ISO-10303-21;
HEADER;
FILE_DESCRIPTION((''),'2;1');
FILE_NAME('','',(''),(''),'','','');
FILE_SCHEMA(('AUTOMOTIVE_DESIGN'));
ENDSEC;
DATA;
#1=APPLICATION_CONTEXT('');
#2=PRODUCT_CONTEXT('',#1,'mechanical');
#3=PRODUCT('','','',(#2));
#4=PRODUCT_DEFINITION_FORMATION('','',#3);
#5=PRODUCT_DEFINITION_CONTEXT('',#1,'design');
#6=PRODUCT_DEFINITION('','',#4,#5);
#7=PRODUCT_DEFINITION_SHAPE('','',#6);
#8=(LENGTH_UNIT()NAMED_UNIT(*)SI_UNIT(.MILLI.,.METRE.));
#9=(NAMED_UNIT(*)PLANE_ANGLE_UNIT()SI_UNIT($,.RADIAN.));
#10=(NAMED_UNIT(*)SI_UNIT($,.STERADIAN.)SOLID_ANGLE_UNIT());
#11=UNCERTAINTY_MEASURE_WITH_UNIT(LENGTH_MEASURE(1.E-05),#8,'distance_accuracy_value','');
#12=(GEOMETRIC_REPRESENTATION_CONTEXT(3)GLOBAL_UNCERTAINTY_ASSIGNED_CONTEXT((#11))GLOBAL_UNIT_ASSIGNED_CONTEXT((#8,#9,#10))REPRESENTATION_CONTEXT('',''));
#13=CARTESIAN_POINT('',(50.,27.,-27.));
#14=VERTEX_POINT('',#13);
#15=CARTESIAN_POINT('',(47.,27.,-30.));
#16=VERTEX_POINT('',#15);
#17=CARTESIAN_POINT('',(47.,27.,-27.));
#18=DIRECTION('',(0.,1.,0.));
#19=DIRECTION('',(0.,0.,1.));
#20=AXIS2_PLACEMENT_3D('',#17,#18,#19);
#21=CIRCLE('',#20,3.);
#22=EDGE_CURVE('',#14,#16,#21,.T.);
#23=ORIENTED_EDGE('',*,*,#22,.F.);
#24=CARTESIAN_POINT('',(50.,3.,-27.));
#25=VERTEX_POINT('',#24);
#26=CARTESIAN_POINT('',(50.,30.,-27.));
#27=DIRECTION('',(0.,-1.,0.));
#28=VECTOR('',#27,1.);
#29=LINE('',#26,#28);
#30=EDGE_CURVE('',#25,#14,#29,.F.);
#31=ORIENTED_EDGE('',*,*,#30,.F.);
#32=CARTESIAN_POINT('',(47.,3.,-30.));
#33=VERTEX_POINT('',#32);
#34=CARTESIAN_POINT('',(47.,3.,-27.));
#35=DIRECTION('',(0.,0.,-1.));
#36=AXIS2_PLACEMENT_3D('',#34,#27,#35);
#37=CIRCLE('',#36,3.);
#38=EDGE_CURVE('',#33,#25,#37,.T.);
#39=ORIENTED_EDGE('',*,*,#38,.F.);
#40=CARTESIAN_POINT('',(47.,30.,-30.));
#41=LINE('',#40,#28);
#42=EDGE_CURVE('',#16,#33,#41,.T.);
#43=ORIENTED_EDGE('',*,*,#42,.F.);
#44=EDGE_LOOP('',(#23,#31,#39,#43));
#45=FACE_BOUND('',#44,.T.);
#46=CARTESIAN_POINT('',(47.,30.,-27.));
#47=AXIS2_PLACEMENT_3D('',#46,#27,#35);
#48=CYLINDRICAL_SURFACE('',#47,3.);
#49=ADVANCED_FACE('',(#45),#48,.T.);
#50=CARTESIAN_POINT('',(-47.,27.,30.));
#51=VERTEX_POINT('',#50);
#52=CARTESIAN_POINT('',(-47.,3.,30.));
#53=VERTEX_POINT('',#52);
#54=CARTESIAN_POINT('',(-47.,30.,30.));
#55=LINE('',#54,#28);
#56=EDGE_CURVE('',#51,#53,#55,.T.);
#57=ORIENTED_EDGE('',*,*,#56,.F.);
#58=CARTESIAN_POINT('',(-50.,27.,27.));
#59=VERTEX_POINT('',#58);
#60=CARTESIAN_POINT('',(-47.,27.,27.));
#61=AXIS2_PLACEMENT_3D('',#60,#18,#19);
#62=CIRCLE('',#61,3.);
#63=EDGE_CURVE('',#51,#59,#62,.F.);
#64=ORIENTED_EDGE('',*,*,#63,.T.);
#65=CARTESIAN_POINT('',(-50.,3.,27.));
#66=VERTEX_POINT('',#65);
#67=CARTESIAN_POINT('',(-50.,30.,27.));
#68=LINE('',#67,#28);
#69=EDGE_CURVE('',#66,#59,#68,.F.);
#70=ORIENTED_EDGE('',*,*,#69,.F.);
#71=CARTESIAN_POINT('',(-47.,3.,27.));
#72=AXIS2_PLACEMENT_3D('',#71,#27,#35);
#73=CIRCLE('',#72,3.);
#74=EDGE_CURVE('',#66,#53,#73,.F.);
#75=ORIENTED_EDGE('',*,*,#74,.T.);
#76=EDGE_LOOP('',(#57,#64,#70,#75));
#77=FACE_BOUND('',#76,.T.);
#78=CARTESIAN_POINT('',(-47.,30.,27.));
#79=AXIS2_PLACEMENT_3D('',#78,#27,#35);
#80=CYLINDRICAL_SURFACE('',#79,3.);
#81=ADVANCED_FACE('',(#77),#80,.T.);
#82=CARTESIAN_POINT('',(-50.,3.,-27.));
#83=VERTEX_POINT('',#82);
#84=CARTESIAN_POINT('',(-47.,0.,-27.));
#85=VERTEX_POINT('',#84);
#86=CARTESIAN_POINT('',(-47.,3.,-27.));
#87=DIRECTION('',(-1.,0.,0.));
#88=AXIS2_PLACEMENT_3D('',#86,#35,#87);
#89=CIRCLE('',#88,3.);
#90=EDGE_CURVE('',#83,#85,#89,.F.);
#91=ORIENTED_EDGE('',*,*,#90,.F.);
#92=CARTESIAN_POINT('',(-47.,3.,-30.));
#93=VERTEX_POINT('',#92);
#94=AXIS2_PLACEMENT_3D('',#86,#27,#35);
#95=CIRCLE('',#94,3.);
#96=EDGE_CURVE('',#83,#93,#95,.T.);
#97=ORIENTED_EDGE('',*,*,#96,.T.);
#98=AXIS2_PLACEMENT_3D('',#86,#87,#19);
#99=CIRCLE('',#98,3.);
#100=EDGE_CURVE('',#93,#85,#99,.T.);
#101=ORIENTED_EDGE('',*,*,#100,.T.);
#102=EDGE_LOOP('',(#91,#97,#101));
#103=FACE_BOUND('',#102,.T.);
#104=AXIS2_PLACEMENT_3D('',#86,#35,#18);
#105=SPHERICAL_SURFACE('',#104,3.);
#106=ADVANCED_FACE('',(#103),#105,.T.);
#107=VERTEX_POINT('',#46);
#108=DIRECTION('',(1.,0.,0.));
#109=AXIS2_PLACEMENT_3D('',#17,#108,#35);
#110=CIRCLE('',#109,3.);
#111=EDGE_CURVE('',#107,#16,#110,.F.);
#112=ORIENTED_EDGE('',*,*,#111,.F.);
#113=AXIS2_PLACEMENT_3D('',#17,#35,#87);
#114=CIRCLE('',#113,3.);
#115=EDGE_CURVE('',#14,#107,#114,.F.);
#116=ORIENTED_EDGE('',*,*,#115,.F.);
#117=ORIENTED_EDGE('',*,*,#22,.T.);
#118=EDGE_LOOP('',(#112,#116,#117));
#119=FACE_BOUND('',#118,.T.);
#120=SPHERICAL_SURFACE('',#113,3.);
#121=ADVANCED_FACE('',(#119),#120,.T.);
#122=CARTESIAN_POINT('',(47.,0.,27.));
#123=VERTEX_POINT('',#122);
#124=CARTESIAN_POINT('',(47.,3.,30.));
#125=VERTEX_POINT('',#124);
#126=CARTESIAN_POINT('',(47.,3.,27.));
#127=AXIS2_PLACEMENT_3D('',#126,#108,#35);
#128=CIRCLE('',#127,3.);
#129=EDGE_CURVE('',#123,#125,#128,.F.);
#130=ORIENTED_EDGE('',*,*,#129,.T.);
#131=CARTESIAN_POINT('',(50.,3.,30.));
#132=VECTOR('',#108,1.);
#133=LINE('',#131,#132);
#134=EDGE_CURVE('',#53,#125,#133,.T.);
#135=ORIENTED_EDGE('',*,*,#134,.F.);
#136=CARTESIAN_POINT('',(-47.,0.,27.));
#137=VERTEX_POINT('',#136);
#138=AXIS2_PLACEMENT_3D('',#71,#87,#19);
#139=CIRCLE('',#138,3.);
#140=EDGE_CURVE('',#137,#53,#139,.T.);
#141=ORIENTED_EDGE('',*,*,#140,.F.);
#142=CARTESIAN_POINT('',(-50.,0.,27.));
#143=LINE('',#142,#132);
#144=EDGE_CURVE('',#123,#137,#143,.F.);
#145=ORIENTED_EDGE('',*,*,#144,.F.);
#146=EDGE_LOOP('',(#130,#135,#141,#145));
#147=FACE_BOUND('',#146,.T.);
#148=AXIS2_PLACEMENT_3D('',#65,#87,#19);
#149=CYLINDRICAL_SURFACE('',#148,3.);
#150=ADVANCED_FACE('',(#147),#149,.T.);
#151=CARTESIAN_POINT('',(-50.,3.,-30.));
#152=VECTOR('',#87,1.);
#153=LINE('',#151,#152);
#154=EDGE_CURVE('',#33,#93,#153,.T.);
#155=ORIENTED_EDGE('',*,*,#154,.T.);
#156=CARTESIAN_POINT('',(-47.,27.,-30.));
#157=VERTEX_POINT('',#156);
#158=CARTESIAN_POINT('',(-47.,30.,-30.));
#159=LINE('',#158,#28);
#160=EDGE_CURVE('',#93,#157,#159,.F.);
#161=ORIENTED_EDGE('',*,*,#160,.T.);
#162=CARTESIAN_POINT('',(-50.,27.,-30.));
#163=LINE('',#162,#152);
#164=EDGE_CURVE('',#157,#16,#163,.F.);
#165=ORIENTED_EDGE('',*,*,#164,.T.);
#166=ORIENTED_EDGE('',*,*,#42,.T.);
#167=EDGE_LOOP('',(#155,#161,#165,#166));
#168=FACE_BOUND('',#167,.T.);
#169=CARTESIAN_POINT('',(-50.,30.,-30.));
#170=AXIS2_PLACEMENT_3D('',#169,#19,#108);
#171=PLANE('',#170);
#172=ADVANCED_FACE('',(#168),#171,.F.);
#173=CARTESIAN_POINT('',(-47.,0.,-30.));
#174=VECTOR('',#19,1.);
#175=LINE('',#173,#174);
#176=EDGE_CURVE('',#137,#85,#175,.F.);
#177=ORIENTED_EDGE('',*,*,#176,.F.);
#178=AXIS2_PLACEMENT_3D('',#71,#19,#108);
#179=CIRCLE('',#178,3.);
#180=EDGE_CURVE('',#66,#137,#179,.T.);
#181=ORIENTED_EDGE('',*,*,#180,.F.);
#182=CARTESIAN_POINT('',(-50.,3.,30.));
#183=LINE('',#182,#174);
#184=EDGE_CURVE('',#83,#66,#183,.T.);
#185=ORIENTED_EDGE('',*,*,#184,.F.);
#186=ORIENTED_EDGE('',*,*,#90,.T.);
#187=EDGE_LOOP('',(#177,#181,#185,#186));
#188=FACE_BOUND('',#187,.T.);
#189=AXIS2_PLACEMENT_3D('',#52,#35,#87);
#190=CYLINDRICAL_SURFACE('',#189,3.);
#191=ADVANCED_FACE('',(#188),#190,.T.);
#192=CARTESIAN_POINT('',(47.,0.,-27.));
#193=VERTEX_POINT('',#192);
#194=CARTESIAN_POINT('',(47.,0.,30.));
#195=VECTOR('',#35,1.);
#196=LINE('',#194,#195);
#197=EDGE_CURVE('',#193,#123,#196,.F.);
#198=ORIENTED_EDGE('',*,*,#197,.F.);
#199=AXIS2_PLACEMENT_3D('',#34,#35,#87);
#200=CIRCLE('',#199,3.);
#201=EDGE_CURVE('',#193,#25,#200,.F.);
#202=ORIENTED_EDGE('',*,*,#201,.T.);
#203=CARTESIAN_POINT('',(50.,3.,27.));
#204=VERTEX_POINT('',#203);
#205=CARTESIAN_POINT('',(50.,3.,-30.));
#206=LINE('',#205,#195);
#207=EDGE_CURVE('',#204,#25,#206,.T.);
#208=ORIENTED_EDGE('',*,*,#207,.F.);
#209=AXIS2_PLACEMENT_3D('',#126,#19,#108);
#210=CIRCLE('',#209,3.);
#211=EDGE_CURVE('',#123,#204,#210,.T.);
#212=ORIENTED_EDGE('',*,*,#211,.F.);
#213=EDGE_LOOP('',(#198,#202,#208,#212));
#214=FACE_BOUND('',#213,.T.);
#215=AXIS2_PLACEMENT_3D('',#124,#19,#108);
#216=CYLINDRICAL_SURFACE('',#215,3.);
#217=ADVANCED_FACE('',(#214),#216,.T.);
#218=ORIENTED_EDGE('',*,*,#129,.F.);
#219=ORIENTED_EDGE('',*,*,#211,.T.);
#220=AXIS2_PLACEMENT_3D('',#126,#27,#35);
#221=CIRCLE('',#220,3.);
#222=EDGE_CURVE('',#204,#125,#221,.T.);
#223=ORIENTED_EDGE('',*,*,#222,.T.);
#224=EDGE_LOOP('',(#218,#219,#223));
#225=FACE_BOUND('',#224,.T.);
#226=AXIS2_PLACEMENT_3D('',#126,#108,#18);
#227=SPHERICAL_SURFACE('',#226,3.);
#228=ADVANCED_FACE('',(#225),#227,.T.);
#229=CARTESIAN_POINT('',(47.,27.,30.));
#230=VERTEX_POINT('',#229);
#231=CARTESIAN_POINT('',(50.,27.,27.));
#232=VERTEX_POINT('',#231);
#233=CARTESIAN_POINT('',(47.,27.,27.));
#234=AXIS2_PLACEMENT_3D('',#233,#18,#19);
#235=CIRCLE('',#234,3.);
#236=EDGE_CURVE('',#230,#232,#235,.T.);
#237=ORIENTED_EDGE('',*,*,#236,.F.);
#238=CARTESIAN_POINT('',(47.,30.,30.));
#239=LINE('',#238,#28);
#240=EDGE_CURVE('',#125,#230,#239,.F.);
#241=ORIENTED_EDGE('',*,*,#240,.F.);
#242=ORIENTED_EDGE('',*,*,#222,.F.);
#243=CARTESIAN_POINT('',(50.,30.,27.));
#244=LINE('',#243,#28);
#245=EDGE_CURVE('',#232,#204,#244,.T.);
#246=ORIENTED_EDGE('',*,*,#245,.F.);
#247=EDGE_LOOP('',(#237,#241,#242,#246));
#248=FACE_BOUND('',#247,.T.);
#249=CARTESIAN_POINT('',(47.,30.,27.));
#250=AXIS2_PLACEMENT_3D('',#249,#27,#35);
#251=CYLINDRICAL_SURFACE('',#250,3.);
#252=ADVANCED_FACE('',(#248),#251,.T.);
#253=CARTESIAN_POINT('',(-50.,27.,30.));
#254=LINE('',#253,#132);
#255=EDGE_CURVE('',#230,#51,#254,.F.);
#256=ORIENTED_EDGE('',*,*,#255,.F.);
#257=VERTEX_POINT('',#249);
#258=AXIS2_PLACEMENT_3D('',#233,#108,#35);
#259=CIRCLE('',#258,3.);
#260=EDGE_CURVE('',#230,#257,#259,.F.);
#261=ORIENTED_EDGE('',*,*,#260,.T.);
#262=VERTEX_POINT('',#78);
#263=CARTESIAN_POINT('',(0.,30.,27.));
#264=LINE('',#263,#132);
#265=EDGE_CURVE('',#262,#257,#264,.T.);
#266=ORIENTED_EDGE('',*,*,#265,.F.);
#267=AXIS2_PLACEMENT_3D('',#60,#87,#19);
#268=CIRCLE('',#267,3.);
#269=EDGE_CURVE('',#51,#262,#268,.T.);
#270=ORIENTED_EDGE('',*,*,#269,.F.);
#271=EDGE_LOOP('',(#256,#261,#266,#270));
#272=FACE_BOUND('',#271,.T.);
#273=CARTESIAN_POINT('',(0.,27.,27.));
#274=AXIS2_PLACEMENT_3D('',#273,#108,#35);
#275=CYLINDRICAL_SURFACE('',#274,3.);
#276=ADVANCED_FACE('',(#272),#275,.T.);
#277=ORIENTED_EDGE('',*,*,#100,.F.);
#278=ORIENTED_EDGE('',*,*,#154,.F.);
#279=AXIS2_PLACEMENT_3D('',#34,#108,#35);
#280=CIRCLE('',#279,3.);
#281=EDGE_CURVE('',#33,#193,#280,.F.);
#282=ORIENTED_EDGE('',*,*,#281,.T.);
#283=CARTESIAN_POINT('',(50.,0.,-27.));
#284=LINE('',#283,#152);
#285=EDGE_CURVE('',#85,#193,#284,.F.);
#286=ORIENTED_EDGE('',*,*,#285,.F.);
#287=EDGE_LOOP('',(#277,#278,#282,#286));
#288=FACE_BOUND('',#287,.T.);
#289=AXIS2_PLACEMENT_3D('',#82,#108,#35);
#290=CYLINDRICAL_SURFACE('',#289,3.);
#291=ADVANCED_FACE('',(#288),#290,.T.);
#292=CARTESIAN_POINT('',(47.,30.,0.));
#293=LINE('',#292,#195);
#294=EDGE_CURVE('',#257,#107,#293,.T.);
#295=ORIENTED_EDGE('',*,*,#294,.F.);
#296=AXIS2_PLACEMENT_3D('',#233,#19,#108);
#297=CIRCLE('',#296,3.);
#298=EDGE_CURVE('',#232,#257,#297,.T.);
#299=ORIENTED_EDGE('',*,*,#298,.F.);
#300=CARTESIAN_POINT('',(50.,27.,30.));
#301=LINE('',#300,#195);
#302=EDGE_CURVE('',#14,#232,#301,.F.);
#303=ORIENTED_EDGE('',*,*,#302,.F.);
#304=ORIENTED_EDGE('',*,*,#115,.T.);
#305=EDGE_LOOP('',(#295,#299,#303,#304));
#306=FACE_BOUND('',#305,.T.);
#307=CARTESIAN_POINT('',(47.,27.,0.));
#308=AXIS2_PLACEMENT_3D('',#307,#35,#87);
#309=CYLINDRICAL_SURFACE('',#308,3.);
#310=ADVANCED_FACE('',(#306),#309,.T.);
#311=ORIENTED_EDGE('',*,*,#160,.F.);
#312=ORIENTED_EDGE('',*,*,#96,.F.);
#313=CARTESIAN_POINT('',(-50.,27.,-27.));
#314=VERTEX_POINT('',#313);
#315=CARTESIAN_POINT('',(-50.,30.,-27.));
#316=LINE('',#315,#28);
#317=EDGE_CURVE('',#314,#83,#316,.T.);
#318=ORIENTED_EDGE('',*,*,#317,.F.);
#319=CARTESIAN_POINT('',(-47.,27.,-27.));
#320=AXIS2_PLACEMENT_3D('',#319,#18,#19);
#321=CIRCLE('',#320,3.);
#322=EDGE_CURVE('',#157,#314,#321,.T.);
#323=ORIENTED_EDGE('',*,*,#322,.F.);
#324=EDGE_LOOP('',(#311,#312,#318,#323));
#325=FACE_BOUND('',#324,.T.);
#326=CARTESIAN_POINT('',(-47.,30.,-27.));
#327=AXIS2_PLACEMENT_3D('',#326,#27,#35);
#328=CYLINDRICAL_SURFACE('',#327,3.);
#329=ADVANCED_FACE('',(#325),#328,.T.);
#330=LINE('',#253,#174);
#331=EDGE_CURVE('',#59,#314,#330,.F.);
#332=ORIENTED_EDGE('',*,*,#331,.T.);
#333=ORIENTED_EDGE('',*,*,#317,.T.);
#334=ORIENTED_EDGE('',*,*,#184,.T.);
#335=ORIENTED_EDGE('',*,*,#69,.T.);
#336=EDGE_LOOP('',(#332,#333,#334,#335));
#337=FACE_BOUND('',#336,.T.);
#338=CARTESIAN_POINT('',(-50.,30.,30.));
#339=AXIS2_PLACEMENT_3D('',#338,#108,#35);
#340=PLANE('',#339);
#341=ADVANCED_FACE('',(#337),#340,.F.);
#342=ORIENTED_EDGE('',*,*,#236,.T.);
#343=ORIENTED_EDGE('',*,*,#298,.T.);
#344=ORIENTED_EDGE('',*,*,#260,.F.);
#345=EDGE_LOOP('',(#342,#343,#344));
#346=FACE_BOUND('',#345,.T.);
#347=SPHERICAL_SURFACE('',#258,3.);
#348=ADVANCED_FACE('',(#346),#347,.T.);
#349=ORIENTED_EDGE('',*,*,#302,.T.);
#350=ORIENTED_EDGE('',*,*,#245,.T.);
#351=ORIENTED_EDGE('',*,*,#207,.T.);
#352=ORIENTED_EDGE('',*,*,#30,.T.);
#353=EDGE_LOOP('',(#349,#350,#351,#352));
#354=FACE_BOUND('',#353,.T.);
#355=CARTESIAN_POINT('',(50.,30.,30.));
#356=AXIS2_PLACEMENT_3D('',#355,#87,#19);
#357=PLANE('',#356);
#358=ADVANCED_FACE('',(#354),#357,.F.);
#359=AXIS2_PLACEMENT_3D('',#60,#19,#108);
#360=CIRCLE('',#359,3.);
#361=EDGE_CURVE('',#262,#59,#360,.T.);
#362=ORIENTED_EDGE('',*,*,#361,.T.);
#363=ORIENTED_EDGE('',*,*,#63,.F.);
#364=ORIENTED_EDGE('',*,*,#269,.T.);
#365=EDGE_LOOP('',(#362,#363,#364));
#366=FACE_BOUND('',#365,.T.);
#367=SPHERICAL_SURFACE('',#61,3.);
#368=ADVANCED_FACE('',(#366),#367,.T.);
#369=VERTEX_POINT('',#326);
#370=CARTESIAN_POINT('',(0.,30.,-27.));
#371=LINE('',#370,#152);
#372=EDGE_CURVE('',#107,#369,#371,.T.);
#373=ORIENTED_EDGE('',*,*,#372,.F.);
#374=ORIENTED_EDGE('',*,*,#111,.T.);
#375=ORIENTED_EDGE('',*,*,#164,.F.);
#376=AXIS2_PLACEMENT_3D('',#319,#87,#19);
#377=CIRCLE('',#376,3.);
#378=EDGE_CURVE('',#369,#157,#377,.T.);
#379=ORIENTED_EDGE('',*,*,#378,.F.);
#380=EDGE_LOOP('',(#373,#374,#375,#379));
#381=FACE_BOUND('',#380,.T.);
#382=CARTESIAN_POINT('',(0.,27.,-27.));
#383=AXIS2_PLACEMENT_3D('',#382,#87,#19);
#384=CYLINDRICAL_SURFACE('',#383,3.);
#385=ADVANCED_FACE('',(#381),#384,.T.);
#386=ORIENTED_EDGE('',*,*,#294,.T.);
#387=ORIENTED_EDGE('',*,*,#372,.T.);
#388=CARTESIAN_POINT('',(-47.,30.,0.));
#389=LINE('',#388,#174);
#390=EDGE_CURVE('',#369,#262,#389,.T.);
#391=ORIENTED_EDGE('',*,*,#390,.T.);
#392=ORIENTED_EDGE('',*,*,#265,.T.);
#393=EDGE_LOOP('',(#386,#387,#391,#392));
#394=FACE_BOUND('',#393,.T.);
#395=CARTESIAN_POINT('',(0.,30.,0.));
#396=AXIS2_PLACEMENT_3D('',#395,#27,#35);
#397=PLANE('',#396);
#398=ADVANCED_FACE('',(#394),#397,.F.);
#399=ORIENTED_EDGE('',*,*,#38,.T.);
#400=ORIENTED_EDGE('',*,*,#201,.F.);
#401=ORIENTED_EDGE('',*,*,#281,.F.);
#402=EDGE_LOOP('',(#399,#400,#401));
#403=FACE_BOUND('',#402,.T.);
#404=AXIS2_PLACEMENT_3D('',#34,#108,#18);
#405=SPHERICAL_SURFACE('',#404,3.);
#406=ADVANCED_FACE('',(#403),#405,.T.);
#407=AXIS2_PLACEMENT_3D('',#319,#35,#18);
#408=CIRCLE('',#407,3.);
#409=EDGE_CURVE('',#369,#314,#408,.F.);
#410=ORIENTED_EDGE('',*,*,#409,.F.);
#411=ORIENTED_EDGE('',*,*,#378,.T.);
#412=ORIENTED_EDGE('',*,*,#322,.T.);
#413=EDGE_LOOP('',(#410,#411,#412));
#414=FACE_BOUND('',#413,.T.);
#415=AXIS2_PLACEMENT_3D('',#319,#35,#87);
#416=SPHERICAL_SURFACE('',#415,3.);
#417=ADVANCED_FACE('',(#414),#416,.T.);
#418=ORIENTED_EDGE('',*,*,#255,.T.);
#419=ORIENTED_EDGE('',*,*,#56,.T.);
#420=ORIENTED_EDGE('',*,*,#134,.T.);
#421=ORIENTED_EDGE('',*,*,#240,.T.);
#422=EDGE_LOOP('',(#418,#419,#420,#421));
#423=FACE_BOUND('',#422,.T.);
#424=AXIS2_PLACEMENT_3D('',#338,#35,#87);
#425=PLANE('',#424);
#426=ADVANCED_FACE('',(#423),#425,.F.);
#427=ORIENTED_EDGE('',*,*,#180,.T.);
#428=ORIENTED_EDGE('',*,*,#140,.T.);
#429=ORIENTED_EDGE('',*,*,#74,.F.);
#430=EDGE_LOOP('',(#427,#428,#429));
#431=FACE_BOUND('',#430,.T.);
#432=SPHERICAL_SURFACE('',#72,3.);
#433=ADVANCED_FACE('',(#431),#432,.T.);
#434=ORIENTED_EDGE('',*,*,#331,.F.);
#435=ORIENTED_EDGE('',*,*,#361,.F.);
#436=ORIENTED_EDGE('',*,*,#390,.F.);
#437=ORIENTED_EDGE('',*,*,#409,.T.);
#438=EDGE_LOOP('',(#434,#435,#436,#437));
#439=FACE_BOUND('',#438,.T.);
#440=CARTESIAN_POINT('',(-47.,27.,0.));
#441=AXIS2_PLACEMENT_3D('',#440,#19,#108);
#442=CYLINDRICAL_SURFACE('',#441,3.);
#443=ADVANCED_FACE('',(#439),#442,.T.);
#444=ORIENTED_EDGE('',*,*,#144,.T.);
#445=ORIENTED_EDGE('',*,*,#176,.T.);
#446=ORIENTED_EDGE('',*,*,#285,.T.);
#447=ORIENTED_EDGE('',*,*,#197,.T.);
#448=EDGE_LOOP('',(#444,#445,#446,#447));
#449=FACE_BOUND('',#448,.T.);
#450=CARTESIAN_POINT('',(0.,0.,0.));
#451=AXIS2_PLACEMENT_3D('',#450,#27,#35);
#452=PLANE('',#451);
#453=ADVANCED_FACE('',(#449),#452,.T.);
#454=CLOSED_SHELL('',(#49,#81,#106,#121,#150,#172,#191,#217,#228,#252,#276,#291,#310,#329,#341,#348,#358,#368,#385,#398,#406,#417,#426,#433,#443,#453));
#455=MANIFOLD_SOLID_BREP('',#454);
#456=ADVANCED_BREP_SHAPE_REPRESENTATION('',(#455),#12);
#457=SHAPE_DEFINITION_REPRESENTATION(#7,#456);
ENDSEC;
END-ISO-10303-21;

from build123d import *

# Parameters (mm, degrees)
SKETCH_1_W      = 100
SKETCH_1_H      = 60
EXTRUDE_1_DEPTH = 30
FILLET_1_R      = 3


with BuildPart() as part:
    # Эскиз1 → Бобышка-Вытянуть1 (new body)
    with BuildSketch(Plane(origin=(0, 0, 0), x_dir=(1, 0, 0), z_dir=(0, 1, 0))):
        Rectangle(SKETCH_1_W, SKETCH_1_H)
    extrude(amount=EXTRUDE_1_DEPTH)

    # Скругление1
    fillet_1_edges = [part.edges().sort_by_distance(p)[0] for p in [
        (-50, 30, 0),
        (0, 30, 30),
        (50, 30, 0),
        (0, 0, 30),
        (-50, 0, 0),
        (0, 0, -30),
        (50, 0, 0),
        (50, 15, 30),
        (-50, 15, 30),
        (-50, 15, -30),
        (50, 15, -30),
        (0, 30, -30),
    ]]
    fillet(fillet_1_edges, radius=FILLET_1_R)


solid = part.part
